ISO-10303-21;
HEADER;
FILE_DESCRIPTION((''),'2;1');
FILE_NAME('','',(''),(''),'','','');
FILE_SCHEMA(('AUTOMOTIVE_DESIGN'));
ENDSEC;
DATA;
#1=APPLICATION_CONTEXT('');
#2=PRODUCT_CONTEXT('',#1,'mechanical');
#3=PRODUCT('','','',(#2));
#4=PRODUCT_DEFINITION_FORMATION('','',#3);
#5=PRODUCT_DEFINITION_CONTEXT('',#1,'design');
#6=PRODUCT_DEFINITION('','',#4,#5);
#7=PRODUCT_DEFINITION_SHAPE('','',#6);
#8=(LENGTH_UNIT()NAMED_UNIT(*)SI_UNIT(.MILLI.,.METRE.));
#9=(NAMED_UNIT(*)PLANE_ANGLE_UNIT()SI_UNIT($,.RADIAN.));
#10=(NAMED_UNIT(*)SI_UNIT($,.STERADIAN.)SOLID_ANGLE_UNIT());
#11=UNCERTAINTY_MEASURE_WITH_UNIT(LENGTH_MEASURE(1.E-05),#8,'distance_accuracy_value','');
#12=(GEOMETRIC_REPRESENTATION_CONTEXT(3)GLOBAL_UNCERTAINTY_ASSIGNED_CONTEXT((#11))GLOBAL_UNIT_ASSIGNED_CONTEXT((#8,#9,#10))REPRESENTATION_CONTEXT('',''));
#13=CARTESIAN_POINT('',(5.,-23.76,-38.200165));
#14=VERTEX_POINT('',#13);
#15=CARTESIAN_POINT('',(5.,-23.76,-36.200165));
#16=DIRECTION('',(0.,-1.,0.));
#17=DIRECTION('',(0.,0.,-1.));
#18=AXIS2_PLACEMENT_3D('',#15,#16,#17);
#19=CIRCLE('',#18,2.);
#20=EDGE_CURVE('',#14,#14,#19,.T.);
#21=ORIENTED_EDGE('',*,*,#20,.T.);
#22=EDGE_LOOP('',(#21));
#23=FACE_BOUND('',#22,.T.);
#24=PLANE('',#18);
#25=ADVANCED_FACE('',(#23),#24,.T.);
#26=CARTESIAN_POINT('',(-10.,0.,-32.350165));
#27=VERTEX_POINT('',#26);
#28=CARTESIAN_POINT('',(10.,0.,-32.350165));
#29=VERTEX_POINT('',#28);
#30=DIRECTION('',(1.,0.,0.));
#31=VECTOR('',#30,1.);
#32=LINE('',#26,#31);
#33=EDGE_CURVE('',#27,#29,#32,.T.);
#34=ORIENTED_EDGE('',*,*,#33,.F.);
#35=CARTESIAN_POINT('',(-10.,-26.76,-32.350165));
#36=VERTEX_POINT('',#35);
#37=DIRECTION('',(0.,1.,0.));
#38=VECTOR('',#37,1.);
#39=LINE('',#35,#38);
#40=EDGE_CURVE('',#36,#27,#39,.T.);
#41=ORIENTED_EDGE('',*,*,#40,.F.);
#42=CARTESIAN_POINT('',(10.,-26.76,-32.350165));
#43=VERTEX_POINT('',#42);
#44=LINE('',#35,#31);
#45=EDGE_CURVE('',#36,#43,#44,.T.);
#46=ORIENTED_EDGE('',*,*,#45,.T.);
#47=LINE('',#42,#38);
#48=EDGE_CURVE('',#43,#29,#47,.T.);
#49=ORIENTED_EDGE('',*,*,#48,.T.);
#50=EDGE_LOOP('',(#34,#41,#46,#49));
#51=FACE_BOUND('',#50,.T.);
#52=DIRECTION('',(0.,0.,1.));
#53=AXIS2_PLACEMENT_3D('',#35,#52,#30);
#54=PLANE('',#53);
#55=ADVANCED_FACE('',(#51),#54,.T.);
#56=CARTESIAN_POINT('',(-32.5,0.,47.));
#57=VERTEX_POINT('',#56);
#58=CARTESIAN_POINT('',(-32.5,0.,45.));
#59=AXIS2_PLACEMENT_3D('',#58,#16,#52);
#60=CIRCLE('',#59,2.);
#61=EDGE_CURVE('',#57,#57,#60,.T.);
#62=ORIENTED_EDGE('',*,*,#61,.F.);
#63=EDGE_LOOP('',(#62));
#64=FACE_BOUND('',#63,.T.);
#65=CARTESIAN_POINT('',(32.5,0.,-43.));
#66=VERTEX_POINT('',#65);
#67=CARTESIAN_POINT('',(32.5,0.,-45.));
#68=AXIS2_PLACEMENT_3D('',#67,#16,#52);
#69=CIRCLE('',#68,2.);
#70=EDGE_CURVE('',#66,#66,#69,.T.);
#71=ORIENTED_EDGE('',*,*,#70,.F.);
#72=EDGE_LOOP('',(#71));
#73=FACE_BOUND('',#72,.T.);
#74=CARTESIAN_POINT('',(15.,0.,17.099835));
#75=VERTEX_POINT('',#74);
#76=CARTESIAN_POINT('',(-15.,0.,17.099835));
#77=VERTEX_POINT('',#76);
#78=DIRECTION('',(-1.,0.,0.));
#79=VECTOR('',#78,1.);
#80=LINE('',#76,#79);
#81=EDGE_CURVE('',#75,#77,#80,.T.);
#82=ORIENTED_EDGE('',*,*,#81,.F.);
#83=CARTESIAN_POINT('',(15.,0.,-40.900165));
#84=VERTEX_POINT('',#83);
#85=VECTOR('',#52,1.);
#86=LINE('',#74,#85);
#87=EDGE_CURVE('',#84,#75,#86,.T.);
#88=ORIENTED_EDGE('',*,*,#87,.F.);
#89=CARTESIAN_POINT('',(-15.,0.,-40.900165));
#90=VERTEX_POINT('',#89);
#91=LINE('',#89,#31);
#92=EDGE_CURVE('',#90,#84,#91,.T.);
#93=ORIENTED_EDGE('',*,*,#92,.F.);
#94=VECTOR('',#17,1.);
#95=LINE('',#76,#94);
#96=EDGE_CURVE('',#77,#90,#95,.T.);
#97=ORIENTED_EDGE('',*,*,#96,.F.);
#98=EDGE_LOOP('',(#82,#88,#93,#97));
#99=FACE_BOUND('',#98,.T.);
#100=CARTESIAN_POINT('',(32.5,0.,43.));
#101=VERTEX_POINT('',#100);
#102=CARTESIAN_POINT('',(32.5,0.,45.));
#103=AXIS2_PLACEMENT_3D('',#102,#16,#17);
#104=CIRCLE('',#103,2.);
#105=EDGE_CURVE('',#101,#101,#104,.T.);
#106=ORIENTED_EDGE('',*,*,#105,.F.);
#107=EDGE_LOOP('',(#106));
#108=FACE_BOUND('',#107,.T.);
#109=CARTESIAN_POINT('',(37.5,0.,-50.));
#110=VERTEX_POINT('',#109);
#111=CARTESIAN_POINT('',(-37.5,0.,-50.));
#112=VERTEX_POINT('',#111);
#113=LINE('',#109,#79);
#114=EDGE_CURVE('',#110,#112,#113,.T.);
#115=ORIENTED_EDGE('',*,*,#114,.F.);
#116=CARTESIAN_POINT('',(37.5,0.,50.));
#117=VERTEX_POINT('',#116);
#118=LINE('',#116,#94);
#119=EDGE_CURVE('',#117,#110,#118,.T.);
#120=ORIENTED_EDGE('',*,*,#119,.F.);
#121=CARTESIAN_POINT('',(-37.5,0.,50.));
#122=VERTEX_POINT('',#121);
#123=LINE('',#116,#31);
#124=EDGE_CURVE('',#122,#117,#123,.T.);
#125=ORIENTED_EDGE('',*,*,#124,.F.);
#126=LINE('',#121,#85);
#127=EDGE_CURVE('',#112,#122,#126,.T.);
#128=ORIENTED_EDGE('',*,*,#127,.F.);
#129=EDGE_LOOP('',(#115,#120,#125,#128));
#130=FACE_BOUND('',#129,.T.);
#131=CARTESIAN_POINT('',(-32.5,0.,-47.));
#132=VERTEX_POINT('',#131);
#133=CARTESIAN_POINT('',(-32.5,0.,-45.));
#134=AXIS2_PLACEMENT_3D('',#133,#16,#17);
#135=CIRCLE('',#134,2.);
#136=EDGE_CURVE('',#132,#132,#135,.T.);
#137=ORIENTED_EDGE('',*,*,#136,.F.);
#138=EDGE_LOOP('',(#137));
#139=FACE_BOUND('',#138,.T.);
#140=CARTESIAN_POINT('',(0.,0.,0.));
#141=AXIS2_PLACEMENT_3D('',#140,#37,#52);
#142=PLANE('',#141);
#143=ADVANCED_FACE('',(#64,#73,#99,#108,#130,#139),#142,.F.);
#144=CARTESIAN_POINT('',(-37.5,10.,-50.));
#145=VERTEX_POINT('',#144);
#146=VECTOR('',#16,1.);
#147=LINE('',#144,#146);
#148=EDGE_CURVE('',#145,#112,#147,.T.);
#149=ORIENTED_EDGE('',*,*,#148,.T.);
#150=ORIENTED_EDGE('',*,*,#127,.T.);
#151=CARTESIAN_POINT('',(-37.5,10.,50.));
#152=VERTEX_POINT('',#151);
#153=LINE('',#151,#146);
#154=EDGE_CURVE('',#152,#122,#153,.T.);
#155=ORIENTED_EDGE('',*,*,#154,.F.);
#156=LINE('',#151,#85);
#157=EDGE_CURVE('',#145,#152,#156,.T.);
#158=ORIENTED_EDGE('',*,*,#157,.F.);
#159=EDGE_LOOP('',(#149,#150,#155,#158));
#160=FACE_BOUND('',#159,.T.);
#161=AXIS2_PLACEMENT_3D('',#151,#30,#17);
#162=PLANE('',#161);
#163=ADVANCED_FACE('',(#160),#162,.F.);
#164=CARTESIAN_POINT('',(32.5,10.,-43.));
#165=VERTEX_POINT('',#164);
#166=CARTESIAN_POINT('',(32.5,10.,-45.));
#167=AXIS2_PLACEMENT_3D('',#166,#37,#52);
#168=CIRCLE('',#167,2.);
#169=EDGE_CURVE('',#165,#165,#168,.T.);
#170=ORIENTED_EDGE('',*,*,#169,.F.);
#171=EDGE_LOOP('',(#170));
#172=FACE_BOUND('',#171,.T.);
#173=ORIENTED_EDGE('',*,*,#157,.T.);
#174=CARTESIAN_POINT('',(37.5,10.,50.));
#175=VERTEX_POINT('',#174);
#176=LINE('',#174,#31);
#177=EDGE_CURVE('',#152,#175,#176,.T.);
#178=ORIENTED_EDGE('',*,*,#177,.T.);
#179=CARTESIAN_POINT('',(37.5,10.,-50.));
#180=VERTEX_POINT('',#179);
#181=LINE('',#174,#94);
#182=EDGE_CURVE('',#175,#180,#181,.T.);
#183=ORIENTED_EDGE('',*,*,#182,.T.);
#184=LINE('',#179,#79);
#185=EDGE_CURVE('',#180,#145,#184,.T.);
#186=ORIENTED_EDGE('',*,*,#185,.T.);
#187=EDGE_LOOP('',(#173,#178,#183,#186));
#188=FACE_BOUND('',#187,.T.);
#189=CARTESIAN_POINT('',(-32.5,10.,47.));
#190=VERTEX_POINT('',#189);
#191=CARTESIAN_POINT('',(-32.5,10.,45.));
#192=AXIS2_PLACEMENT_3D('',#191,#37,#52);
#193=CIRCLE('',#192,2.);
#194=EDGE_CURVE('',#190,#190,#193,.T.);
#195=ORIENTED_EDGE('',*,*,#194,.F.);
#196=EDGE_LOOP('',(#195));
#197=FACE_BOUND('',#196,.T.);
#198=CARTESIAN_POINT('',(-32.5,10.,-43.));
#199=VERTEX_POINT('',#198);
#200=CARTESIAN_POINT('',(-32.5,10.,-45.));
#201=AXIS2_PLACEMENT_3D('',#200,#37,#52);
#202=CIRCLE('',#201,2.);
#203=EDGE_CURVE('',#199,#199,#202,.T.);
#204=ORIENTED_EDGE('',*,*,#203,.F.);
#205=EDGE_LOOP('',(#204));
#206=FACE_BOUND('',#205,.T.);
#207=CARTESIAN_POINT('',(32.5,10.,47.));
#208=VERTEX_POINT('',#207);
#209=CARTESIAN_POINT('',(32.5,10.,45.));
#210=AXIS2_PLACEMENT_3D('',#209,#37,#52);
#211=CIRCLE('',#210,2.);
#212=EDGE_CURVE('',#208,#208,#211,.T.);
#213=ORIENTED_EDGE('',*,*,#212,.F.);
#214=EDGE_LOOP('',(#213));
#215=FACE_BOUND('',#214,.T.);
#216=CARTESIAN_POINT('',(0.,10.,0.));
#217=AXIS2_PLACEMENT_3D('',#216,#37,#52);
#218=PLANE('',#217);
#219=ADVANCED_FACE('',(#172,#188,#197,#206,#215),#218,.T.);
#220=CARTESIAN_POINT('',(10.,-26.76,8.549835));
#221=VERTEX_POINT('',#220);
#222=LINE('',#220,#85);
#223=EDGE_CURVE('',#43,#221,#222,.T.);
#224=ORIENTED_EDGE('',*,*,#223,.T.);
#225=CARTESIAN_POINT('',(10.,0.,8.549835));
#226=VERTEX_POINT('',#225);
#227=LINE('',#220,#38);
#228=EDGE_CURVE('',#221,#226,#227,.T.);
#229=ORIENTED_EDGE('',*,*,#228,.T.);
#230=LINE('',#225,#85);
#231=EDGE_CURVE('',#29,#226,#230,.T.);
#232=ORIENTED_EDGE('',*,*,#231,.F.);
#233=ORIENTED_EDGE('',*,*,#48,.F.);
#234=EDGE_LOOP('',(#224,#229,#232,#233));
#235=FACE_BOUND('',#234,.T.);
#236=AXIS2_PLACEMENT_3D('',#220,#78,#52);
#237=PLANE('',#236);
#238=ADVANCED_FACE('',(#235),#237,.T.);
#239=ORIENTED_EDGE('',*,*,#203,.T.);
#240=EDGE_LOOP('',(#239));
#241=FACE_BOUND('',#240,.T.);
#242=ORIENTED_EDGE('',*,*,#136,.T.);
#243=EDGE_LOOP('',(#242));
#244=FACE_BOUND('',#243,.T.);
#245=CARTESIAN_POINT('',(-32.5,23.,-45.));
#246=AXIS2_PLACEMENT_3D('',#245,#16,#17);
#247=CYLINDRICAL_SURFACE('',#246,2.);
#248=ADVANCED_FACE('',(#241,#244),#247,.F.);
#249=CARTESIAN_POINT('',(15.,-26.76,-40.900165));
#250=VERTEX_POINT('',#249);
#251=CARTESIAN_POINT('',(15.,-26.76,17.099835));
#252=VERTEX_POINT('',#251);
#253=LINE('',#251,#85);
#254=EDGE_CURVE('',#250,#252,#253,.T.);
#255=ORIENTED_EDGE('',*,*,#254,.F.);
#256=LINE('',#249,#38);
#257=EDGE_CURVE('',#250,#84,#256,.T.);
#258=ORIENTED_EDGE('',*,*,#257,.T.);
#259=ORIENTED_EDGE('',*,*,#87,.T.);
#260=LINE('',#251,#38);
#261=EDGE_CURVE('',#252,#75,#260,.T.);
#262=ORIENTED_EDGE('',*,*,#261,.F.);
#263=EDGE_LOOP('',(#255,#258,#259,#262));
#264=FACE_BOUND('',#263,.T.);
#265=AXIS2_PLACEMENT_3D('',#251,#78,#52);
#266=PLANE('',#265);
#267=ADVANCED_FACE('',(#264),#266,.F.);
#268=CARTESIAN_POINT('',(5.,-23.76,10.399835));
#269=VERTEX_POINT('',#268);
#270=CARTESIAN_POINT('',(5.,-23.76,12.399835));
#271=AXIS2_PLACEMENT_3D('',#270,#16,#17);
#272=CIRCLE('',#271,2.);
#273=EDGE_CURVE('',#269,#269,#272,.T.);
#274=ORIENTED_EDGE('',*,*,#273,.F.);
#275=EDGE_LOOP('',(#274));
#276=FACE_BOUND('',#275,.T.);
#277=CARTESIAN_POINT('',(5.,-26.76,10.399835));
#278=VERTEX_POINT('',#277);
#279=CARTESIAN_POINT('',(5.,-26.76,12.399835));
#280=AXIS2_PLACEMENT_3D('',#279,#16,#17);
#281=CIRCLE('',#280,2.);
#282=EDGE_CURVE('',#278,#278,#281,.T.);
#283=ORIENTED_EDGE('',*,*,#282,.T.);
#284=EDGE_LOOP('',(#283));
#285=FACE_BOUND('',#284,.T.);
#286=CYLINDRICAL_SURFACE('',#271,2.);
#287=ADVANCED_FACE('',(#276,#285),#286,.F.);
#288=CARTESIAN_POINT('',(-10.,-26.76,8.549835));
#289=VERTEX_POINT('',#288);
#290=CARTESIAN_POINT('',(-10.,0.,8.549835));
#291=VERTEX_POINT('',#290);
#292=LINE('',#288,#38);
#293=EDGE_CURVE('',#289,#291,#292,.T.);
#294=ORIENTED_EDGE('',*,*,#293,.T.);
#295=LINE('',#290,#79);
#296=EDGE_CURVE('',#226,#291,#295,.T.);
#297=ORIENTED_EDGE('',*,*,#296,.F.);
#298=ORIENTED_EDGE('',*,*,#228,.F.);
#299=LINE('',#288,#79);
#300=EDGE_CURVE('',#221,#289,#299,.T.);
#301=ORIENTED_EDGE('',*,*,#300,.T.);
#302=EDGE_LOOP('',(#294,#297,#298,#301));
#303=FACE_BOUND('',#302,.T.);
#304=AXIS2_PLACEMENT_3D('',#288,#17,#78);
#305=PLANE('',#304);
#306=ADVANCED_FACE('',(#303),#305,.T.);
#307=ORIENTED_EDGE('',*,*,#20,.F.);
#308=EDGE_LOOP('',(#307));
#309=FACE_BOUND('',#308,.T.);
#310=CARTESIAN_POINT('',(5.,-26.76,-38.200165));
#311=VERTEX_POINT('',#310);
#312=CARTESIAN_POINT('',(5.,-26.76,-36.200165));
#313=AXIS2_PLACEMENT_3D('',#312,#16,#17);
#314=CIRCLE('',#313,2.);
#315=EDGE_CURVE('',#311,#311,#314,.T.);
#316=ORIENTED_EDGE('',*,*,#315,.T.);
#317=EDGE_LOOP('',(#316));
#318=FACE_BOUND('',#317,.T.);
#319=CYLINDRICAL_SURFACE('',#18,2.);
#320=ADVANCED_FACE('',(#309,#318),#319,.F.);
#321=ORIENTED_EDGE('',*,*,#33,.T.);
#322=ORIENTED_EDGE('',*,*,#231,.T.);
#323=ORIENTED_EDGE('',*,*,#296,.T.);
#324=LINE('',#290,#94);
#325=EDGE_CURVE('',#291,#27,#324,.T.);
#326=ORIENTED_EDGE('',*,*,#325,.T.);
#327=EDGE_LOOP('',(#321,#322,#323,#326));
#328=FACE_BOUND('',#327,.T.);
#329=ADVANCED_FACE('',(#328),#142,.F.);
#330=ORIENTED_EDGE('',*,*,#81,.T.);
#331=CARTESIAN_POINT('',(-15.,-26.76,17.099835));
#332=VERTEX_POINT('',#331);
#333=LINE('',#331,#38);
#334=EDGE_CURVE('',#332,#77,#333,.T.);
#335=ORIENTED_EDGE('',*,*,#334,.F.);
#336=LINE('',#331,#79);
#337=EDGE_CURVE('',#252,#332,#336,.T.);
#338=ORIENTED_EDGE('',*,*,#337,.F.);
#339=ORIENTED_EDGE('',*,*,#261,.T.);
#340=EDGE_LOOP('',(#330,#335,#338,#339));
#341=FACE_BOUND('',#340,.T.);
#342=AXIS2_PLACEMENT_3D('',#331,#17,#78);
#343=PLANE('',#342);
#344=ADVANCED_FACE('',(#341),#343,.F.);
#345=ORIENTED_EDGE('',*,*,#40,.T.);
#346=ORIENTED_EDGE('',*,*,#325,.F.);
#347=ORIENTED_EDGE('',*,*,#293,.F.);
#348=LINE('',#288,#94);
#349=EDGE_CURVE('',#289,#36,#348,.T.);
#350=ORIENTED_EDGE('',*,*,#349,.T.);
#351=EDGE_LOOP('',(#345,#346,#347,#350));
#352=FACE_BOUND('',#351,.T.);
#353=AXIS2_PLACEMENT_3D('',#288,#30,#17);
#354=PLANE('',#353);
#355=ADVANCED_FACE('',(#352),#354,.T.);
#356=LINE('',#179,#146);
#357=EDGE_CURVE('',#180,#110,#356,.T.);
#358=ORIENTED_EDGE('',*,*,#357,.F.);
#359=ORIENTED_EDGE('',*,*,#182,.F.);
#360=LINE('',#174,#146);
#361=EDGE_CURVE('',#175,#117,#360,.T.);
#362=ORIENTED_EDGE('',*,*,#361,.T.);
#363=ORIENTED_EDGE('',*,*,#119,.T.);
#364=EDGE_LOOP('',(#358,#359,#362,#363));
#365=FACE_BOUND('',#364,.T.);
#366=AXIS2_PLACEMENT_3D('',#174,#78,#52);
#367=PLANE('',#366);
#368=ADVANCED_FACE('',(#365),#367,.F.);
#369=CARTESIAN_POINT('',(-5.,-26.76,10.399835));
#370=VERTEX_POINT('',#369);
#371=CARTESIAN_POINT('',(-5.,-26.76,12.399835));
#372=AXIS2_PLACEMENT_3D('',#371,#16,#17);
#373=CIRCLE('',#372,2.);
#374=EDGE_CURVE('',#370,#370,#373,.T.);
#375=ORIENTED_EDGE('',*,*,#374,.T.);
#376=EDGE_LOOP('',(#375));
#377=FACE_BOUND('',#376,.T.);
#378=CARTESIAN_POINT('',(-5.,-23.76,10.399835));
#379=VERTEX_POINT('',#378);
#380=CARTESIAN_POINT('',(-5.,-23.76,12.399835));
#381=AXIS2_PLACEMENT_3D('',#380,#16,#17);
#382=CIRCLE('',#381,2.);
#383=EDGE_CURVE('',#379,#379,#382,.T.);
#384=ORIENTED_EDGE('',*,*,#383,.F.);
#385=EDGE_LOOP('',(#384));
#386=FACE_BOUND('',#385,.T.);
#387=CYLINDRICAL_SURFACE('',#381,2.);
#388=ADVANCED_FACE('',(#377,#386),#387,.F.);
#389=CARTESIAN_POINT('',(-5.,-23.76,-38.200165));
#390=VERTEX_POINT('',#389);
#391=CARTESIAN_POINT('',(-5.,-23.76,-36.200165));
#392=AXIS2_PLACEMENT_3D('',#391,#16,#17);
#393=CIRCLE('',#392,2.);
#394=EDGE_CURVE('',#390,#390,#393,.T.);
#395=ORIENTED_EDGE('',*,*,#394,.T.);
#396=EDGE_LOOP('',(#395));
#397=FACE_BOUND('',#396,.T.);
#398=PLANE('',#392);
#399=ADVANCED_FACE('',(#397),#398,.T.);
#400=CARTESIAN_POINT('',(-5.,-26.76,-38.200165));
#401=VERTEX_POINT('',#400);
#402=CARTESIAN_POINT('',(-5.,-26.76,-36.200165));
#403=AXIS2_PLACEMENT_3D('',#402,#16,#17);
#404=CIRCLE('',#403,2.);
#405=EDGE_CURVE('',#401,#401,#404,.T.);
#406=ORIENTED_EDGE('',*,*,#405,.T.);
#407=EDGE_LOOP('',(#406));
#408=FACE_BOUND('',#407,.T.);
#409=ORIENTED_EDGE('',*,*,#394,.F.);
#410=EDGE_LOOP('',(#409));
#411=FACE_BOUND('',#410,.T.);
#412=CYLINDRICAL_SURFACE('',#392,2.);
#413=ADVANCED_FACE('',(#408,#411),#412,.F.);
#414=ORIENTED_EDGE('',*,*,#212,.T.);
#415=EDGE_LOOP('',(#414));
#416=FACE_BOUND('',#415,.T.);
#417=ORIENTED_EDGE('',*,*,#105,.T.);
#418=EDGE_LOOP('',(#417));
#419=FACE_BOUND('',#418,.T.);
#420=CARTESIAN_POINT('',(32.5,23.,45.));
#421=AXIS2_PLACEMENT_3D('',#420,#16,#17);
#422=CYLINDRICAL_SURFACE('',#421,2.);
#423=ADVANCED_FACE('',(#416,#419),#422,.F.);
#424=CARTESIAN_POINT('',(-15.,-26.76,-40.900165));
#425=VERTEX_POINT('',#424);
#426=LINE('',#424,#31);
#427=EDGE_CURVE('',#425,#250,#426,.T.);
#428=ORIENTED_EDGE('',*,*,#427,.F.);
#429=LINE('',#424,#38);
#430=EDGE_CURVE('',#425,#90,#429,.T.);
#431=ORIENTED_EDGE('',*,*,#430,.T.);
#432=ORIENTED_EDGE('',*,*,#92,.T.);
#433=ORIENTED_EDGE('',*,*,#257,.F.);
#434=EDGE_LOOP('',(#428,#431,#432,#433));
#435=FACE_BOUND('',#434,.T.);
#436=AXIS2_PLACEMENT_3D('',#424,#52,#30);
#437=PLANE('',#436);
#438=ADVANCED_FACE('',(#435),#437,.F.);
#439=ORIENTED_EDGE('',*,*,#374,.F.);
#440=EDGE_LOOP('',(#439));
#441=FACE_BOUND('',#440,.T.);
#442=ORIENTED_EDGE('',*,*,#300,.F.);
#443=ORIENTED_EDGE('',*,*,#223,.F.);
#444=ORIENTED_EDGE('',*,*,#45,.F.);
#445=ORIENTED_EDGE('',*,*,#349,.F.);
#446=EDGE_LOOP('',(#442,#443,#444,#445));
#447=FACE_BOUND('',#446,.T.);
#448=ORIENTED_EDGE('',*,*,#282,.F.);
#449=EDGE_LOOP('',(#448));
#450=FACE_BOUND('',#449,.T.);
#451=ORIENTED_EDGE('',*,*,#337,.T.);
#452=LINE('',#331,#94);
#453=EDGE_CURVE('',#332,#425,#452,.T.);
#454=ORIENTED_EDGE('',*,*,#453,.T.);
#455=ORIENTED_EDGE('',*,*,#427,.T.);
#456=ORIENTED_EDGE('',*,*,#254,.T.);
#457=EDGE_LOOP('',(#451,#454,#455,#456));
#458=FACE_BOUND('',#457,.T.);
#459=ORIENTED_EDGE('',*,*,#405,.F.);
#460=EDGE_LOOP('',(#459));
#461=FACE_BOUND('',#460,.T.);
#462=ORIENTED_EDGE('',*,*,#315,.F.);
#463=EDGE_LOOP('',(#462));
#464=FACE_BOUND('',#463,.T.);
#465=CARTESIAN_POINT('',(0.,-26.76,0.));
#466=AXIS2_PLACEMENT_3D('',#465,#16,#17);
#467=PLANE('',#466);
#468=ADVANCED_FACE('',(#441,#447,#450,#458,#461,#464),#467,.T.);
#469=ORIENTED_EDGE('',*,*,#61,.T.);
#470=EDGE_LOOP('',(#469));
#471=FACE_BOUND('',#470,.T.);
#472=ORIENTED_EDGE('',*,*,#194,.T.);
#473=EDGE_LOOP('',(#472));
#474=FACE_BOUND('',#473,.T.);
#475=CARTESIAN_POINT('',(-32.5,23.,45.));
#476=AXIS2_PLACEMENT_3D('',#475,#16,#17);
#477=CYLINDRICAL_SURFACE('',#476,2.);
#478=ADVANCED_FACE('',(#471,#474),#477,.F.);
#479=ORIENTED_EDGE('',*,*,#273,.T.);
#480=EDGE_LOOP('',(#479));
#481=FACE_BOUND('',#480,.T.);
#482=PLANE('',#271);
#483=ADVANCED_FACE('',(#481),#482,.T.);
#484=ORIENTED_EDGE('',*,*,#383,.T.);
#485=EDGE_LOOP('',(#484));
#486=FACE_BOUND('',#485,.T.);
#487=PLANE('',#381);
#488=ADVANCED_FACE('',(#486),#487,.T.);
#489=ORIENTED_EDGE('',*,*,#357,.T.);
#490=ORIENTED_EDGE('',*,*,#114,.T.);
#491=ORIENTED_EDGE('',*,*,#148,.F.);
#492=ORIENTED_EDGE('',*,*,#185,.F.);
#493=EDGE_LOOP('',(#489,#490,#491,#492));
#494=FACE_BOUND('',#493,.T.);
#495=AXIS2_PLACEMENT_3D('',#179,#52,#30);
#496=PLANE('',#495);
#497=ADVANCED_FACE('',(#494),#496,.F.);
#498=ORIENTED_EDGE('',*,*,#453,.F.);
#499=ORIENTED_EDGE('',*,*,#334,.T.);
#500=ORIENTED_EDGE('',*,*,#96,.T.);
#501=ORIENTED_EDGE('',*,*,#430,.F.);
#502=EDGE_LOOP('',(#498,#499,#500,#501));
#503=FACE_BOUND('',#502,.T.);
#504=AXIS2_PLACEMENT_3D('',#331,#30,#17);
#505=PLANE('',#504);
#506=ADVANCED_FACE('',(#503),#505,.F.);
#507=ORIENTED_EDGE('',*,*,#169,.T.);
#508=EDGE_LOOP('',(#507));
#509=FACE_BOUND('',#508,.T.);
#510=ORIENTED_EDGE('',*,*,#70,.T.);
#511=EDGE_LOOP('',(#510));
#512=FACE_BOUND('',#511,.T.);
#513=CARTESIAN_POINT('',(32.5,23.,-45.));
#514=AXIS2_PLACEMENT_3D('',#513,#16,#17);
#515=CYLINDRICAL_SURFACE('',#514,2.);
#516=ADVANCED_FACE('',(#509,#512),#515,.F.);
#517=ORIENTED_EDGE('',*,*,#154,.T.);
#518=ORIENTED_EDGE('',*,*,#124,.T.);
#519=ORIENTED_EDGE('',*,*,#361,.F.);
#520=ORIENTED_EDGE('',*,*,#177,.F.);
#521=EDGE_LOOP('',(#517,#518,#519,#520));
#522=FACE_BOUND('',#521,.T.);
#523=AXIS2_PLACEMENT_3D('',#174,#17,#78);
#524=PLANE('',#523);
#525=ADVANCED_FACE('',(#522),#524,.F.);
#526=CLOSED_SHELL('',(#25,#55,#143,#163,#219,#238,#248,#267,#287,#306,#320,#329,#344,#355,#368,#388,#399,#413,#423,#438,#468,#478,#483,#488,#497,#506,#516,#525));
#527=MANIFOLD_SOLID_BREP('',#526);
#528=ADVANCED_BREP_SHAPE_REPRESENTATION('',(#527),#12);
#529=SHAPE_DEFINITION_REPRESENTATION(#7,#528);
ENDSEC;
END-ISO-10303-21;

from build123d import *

# Parameters (mm, degrees)
SKETCH1_W           = 75
SKETCH1_H           = 100
BOSS_EXTRUDE1_DEPTH = 10
SKETCH2_W           = 30
SKETCH2_H           = 58
SKETCH2_W_2         = 20
SKETCH2_H_2         = 40.9
BOSS_EXTRUDE2_DEPTH = 26.76
SKETCH3_R           = 2
CUT_EXTRUDE1_DEPTH  = 3
SKETCH4_R           = 2
CUT_EXTRUDE2_DEPTH  = 23


with BuildPart() as part:
    # Sketch1 → Boss-Extrude1 (new body)
    with BuildSketch(Plane(origin=(0, 0, 0), x_dir=(1, 0, 0), z_dir=(0, 1, 0))):
        Rectangle(SKETCH1_W, SKETCH1_H)
    extrude(amount=BOSS_EXTRUDE1_DEPTH)

    # Sketch2 → Boss-Extrude2 (add)
    with BuildSketch(Plane.XZ):
        with Locations((0, -11.900165179)):
            Rectangle(SKETCH2_W, SKETCH2_H)
        with Locations((0, -11.900165179)):
            Rectangle(SKETCH2_W_2, SKETCH2_H_2, mode=Mode.SUBTRACT)
    extrude(amount=BOSS_EXTRUDE2_DEPTH)

    # Sketch3 → Cut-Extrude1 (cut)
    with BuildSketch(Plane.XZ.offset(26.76)):
        with Locations(Location((-5, 12.399834821, 0), (0, 0, 270))):
            Circle(SKETCH3_R)
        with Locations(Location((5, 12.399834821, 0), (0, 0, 270))):
            Circle(SKETCH3_R)
        with Locations(Location((5, -36.200165179, 0), (0, 0, 270))):
            Circle(SKETCH3_R)
        with Locations(Location((-5, -36.200165179, 0), (0, 0, 270))):
            Circle(SKETCH3_R)
    extrude(amount=-CUT_EXTRUDE1_DEPTH, mode=Mode.SUBTRACT)

    # Sketch4 → Cut-Extrude2 (cut)
    with BuildSketch(Plane.XZ):
        with Locations(Location((-32.5, -45, 0), (0, 0, 270))):
            Circle(SKETCH4_R)
        with Locations(Location((32.5, -45, 0), (0, 0, 90))):
            Circle(SKETCH4_R)
        with Locations(Location((32.5, 45, 0), (0, 0, 270))):
            Circle(SKETCH4_R)
        with Locations(Location((-32.5, 45, 0), (0, 0, 90))):
            Circle(SKETCH4_R)
    extrude(amount=-CUT_EXTRUDE2_DEPTH, mode=Mode.SUBTRACT)


solid = part.part
